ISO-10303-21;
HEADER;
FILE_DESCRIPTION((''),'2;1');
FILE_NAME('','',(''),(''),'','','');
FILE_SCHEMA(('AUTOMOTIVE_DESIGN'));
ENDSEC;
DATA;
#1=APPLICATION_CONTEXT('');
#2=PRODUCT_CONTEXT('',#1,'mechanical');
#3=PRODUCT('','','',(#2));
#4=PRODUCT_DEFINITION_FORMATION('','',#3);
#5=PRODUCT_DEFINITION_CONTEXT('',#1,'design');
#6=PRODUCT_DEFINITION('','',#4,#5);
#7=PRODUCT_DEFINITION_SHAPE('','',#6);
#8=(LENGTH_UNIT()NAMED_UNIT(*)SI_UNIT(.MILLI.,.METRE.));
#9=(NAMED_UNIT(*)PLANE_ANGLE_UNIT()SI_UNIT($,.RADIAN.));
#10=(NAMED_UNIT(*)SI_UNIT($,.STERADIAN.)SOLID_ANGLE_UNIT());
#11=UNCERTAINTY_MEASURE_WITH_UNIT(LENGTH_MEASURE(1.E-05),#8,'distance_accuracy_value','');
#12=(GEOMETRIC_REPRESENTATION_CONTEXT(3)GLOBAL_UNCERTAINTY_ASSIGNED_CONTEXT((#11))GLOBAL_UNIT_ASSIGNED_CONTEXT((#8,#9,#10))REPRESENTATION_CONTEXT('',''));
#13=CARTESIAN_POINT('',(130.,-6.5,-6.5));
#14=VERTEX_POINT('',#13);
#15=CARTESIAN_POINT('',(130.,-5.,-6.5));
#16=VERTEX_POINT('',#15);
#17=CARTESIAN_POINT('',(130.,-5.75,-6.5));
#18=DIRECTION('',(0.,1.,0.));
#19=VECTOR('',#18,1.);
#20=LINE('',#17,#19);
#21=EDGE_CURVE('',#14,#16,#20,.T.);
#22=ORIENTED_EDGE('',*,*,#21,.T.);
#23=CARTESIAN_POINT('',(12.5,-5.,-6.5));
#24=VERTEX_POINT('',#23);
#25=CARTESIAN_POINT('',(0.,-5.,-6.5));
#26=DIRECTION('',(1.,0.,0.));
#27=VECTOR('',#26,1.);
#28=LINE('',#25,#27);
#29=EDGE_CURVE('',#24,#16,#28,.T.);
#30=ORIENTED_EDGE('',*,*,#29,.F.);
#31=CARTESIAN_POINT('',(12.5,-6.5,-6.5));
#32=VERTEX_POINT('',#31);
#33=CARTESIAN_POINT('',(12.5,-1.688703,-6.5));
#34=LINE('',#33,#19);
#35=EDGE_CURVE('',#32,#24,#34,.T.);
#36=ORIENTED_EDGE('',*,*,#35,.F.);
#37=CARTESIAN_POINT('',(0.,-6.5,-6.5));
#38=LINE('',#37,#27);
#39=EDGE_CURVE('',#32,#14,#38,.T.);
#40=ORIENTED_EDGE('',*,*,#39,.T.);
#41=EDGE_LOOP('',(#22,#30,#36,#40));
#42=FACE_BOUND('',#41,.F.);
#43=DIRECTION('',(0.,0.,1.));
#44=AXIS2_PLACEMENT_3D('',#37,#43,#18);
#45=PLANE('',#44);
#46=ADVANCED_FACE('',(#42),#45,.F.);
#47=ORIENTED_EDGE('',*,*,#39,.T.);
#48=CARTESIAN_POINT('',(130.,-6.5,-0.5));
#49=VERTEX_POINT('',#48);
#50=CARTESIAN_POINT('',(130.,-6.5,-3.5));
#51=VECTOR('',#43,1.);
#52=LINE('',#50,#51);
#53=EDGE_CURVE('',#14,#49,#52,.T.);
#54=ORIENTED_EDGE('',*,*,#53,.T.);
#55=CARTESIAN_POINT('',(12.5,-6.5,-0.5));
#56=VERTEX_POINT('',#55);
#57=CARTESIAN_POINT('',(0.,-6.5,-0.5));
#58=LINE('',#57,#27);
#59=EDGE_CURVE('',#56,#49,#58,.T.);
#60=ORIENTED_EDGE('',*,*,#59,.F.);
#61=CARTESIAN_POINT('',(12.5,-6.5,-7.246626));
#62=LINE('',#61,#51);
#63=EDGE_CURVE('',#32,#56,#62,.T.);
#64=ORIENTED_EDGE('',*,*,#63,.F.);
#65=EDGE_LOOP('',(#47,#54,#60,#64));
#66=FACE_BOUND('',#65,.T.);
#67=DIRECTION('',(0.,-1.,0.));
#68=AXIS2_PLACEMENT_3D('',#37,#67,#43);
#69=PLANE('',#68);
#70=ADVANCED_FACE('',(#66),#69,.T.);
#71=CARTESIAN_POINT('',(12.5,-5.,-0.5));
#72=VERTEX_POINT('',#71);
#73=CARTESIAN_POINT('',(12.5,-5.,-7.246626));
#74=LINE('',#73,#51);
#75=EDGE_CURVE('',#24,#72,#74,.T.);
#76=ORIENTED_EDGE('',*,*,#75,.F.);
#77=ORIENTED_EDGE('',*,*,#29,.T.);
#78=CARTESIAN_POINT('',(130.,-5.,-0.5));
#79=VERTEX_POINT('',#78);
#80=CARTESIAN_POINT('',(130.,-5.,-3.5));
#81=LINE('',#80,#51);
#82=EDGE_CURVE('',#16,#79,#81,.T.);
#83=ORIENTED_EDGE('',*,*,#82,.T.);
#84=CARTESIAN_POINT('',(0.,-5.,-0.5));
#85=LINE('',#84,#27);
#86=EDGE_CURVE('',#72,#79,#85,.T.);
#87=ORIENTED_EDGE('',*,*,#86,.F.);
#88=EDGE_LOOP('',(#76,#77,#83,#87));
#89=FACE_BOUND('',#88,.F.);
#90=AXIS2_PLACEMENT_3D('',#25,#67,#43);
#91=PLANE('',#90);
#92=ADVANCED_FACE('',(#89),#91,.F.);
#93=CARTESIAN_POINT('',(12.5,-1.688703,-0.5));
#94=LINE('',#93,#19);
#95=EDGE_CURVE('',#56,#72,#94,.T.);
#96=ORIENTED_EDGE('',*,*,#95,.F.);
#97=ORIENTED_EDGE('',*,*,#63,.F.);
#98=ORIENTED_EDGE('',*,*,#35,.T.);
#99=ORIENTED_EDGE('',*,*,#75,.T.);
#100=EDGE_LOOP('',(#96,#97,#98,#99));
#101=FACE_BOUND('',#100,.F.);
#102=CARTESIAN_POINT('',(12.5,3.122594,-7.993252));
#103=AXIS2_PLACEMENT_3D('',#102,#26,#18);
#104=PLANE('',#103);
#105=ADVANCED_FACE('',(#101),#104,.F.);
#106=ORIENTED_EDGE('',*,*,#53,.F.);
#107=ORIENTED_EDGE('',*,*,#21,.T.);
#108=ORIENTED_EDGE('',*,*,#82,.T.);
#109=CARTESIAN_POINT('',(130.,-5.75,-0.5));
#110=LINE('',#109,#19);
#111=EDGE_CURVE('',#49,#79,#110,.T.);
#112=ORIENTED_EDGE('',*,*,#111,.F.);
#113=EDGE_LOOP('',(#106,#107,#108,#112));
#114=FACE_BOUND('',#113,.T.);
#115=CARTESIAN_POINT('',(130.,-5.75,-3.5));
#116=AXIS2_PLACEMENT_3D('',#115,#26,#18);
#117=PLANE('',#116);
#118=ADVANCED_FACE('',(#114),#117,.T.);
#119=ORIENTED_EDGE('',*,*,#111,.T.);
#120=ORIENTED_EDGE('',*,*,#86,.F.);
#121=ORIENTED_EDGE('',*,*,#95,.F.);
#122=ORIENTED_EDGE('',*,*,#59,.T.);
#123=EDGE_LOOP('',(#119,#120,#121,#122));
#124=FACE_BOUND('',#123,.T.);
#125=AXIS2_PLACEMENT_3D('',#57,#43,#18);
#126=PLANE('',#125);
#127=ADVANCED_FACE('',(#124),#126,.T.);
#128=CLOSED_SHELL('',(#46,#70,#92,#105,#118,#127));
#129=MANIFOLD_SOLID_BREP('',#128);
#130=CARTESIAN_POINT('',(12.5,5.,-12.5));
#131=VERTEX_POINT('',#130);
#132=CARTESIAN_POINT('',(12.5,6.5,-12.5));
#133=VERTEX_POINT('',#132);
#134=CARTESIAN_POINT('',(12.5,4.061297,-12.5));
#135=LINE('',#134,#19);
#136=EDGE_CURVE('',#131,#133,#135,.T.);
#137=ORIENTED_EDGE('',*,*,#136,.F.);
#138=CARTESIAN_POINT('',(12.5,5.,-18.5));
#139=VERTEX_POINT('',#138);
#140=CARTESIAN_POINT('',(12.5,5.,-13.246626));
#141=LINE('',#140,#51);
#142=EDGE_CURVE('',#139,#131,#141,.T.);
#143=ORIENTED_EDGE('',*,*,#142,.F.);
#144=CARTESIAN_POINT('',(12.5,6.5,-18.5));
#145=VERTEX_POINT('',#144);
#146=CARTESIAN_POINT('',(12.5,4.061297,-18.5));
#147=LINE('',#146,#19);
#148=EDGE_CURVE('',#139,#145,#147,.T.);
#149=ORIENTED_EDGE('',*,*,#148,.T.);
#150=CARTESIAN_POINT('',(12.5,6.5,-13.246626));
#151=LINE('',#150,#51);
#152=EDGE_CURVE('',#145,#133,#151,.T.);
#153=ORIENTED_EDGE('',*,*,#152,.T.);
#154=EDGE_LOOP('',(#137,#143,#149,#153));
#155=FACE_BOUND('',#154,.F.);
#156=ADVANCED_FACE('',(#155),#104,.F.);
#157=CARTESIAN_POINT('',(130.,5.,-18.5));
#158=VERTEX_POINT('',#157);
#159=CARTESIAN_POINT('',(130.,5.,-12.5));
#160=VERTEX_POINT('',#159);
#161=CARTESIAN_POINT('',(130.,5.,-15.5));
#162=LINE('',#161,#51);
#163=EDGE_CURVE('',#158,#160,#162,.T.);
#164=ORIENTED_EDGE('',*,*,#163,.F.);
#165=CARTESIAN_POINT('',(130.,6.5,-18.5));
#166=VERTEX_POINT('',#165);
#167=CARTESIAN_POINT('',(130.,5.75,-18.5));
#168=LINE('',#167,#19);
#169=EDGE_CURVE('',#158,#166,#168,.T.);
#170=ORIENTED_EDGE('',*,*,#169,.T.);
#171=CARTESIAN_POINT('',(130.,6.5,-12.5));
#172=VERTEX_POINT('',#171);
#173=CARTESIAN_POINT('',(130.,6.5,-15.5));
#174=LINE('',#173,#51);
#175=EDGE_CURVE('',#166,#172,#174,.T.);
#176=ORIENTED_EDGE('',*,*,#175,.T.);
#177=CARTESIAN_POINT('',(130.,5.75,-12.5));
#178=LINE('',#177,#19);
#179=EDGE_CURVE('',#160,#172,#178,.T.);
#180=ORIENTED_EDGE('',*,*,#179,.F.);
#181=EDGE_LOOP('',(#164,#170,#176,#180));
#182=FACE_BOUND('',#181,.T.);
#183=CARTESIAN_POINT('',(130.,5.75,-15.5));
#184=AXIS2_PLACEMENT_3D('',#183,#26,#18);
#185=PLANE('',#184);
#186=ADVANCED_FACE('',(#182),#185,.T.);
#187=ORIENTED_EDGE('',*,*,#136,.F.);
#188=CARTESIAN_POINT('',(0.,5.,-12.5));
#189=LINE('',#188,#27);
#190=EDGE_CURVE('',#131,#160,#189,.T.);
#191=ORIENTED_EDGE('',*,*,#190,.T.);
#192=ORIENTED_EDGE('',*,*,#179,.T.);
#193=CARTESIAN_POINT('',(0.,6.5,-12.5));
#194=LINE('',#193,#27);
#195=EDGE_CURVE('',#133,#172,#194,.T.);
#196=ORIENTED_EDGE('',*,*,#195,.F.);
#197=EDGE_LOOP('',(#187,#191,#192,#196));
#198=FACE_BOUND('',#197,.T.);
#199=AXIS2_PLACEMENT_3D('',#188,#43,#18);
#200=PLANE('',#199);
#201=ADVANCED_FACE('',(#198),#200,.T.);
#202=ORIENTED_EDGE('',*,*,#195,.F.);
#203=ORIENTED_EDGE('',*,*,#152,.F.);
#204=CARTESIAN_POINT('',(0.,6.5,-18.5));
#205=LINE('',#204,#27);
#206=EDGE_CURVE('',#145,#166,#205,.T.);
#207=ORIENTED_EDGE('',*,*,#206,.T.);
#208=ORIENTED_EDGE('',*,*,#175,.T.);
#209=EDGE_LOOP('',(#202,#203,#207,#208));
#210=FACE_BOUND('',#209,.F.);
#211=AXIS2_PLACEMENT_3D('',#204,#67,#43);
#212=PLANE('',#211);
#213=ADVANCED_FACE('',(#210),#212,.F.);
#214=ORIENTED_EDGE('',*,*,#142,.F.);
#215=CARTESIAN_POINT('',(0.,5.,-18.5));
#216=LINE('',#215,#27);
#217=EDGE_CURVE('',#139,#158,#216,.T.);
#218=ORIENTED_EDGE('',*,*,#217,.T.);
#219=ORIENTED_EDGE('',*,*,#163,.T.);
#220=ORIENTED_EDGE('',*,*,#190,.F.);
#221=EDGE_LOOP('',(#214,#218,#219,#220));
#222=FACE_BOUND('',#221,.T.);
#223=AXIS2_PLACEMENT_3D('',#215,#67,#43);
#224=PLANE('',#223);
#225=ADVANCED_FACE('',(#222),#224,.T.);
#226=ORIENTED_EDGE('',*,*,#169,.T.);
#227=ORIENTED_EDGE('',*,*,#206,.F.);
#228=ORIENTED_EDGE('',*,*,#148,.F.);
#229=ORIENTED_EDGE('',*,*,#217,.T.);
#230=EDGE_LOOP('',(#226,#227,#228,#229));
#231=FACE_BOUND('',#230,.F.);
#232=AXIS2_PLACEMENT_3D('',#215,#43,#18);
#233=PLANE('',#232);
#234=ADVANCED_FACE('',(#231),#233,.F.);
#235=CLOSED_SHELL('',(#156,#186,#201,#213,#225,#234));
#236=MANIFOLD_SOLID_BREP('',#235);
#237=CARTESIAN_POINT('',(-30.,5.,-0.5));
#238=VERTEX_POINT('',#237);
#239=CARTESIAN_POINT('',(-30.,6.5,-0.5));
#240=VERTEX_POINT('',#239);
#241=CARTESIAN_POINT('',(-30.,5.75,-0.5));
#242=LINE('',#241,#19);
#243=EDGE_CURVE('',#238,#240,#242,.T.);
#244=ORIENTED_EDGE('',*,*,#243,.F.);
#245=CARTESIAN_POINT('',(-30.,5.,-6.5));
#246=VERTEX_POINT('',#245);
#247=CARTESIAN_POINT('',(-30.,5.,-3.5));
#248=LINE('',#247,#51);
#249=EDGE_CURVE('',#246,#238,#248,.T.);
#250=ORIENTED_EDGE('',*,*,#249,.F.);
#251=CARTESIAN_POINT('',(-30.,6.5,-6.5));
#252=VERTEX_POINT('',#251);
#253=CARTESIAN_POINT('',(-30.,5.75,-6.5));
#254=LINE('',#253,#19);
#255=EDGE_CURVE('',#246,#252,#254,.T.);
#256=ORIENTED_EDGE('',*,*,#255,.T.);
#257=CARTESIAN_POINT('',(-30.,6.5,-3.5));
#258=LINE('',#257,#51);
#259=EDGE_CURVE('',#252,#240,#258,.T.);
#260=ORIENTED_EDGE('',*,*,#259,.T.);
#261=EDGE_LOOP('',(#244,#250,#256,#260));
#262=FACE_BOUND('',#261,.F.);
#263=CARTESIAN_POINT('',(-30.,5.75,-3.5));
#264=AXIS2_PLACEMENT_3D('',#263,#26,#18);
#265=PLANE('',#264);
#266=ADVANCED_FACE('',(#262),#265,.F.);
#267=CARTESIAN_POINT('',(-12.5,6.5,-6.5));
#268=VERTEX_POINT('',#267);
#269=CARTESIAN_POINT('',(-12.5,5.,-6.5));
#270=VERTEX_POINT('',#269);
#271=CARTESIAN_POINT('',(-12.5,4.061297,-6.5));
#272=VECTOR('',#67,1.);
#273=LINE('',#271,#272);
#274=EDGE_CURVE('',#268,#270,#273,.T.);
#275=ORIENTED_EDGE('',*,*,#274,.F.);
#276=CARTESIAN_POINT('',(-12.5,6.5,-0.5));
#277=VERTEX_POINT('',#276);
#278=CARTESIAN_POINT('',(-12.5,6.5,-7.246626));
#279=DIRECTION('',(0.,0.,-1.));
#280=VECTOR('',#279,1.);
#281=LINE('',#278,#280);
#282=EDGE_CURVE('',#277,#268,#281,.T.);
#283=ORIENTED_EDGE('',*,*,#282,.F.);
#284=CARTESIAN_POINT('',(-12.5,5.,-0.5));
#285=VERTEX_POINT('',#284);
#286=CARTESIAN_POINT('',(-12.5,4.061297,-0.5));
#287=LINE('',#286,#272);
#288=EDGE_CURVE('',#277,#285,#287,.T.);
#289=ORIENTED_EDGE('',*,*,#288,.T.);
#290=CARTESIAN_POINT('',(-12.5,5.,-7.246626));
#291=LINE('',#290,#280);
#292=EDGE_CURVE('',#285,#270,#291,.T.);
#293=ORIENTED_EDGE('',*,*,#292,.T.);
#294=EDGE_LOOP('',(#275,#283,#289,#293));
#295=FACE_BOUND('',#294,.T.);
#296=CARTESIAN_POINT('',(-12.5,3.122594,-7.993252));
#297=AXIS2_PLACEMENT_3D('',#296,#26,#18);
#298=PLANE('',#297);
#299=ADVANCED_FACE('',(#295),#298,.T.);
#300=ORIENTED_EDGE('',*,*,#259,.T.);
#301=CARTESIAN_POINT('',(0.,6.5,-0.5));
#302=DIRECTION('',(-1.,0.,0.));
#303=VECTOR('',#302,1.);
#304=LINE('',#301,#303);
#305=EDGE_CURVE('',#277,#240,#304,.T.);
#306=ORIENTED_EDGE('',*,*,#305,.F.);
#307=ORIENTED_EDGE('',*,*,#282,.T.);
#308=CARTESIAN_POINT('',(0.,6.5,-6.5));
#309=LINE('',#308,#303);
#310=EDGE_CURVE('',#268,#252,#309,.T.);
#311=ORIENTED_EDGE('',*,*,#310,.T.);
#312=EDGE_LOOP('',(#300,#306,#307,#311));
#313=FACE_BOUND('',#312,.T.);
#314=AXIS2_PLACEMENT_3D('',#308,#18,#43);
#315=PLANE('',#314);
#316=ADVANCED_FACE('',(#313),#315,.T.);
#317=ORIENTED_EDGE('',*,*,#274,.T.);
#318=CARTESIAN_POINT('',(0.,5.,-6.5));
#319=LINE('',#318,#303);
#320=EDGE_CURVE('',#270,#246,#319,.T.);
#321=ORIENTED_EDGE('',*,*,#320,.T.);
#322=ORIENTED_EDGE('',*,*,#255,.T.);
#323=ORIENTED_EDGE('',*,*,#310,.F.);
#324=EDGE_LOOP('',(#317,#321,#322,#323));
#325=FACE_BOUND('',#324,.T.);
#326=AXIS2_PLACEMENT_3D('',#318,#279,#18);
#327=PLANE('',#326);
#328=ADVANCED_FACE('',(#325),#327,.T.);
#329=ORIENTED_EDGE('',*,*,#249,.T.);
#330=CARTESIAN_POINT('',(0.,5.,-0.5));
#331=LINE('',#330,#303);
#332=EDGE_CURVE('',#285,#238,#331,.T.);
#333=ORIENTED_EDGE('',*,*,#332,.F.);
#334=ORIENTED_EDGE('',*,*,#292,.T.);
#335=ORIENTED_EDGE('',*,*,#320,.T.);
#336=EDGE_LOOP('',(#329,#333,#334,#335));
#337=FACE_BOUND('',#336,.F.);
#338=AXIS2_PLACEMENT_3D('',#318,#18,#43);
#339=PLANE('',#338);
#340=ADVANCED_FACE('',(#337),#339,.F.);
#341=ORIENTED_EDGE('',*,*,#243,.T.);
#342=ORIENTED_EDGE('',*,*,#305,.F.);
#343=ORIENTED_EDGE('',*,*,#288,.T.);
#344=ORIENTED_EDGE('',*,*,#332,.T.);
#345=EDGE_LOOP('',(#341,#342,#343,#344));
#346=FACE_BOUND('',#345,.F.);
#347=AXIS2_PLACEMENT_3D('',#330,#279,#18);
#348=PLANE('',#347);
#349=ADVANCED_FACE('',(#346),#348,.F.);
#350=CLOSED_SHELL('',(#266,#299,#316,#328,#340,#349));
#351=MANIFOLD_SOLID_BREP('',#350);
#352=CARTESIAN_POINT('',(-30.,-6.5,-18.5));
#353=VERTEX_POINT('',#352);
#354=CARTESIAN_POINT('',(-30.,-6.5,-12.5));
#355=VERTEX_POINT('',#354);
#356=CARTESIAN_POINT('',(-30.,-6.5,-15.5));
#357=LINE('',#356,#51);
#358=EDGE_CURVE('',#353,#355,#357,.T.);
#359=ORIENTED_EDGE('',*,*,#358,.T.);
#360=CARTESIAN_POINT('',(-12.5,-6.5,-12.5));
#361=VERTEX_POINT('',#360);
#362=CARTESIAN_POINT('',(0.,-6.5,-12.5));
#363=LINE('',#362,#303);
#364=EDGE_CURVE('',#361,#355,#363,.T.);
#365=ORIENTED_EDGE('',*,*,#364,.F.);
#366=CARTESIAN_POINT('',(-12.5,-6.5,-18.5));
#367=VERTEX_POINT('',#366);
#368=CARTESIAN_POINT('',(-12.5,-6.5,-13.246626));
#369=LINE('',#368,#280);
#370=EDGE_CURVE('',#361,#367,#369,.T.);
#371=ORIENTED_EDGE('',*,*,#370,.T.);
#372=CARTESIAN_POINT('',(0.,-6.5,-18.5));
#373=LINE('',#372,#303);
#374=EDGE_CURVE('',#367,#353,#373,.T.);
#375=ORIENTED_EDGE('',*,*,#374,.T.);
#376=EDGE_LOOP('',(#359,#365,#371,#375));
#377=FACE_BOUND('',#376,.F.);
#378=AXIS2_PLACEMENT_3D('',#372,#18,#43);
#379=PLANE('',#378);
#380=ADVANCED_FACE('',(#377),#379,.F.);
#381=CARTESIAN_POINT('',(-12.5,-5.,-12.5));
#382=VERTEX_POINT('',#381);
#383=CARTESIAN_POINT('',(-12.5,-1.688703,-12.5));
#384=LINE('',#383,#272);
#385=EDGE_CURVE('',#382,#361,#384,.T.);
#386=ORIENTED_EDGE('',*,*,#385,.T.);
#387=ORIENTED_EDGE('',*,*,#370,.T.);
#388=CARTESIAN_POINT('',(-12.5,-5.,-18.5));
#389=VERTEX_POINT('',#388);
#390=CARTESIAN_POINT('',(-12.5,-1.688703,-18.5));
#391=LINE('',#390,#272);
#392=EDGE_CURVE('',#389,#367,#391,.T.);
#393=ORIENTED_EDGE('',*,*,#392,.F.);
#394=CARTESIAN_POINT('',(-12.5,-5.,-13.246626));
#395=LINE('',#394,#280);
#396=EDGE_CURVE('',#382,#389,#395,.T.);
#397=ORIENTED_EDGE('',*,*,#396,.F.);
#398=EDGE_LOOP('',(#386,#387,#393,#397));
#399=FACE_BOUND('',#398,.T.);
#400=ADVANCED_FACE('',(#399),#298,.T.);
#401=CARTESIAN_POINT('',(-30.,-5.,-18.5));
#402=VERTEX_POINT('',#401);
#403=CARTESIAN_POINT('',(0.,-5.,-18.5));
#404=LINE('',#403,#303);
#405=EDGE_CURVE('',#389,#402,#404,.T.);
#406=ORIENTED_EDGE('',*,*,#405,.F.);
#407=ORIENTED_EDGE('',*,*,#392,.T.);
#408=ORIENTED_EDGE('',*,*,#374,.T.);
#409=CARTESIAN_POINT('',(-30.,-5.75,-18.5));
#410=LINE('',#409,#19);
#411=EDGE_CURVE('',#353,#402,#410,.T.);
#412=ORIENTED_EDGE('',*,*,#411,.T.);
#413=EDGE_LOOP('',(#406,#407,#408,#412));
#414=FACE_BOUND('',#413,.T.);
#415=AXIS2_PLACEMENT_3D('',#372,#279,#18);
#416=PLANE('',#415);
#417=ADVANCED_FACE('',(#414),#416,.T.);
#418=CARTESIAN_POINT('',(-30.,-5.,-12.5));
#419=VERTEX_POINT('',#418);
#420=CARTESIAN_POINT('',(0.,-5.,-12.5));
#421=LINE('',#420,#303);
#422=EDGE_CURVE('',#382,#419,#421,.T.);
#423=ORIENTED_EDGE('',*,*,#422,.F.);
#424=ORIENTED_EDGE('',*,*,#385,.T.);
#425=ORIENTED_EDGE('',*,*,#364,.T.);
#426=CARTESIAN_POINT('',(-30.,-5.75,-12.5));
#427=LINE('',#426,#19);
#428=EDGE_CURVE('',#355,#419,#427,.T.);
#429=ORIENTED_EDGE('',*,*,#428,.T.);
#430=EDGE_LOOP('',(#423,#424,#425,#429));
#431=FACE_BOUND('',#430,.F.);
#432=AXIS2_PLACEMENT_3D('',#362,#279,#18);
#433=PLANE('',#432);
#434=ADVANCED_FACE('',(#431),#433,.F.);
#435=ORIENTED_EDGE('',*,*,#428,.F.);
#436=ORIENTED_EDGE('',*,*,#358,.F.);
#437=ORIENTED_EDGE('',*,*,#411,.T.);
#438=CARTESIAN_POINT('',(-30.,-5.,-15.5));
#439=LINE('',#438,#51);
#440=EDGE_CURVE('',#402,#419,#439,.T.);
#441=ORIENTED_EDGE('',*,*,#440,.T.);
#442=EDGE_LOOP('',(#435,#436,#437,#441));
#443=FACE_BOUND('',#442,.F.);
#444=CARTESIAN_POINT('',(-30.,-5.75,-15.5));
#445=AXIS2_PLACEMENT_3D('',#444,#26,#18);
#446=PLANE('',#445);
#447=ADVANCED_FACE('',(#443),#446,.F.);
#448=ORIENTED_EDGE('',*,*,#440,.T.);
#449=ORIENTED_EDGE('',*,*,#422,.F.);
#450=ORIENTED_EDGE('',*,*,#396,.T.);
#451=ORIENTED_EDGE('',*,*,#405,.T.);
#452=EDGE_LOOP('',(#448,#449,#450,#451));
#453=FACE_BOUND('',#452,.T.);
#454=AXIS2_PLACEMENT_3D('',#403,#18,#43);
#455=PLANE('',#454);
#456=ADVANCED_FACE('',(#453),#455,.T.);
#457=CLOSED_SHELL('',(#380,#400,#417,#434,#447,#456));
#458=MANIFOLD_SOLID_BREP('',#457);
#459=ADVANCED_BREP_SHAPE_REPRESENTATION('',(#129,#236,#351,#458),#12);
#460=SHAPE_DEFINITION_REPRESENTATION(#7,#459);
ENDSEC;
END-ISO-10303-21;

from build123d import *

# Parameters (mm, degrees)
SKETCH023_W     = 1.5
SKETCH023_H     = 6
PAD010_DEPTH    = 130
SKETCH024_W     = 1.5
SKETCH024_H     = 6
PAD011_DEPTH    = 30
SKETCH025_W     = 35.455807
SKETCH025_H     = 33.450874
POCKET017_DEPTH = 12.5


with BuildPart() as part:
    # Sketch023 → Pad010 (new body)
    with BuildSketch(Plane.YZ):
        with Locations((-5.75, -3.5)):
            Rectangle(SKETCH023_W, SKETCH023_H)
        with Locations((5.75, -15.5)):
            Rectangle(SKETCH023_W, SKETCH023_H)
    extrude(amount=PAD010_DEPTH)

    # Sketch024 (on Sketch) → Pad011 (join)
    with BuildSketch(Plane.YZ):
        with Locations((5.75, -3.5)):
            Rectangle(SKETCH024_W, SKETCH024_H)
        with Locations((-5.75, -15.5)):
            Rectangle(SKETCH024_W, SKETCH024_H)
    extrude(amount=-PAD011_DEPTH)

    # Sketch025 → Pocket017 (cut, symmetric)
    with BuildSketch(Plane.YZ):
        with Locations((3.122594, -7.993252)):
            Rectangle(SKETCH025_W, SKETCH025_H)
    extrude(amount=POCKET017_DEPTH, both=True, mode=Mode.SUBTRACT)


solid = part.part
